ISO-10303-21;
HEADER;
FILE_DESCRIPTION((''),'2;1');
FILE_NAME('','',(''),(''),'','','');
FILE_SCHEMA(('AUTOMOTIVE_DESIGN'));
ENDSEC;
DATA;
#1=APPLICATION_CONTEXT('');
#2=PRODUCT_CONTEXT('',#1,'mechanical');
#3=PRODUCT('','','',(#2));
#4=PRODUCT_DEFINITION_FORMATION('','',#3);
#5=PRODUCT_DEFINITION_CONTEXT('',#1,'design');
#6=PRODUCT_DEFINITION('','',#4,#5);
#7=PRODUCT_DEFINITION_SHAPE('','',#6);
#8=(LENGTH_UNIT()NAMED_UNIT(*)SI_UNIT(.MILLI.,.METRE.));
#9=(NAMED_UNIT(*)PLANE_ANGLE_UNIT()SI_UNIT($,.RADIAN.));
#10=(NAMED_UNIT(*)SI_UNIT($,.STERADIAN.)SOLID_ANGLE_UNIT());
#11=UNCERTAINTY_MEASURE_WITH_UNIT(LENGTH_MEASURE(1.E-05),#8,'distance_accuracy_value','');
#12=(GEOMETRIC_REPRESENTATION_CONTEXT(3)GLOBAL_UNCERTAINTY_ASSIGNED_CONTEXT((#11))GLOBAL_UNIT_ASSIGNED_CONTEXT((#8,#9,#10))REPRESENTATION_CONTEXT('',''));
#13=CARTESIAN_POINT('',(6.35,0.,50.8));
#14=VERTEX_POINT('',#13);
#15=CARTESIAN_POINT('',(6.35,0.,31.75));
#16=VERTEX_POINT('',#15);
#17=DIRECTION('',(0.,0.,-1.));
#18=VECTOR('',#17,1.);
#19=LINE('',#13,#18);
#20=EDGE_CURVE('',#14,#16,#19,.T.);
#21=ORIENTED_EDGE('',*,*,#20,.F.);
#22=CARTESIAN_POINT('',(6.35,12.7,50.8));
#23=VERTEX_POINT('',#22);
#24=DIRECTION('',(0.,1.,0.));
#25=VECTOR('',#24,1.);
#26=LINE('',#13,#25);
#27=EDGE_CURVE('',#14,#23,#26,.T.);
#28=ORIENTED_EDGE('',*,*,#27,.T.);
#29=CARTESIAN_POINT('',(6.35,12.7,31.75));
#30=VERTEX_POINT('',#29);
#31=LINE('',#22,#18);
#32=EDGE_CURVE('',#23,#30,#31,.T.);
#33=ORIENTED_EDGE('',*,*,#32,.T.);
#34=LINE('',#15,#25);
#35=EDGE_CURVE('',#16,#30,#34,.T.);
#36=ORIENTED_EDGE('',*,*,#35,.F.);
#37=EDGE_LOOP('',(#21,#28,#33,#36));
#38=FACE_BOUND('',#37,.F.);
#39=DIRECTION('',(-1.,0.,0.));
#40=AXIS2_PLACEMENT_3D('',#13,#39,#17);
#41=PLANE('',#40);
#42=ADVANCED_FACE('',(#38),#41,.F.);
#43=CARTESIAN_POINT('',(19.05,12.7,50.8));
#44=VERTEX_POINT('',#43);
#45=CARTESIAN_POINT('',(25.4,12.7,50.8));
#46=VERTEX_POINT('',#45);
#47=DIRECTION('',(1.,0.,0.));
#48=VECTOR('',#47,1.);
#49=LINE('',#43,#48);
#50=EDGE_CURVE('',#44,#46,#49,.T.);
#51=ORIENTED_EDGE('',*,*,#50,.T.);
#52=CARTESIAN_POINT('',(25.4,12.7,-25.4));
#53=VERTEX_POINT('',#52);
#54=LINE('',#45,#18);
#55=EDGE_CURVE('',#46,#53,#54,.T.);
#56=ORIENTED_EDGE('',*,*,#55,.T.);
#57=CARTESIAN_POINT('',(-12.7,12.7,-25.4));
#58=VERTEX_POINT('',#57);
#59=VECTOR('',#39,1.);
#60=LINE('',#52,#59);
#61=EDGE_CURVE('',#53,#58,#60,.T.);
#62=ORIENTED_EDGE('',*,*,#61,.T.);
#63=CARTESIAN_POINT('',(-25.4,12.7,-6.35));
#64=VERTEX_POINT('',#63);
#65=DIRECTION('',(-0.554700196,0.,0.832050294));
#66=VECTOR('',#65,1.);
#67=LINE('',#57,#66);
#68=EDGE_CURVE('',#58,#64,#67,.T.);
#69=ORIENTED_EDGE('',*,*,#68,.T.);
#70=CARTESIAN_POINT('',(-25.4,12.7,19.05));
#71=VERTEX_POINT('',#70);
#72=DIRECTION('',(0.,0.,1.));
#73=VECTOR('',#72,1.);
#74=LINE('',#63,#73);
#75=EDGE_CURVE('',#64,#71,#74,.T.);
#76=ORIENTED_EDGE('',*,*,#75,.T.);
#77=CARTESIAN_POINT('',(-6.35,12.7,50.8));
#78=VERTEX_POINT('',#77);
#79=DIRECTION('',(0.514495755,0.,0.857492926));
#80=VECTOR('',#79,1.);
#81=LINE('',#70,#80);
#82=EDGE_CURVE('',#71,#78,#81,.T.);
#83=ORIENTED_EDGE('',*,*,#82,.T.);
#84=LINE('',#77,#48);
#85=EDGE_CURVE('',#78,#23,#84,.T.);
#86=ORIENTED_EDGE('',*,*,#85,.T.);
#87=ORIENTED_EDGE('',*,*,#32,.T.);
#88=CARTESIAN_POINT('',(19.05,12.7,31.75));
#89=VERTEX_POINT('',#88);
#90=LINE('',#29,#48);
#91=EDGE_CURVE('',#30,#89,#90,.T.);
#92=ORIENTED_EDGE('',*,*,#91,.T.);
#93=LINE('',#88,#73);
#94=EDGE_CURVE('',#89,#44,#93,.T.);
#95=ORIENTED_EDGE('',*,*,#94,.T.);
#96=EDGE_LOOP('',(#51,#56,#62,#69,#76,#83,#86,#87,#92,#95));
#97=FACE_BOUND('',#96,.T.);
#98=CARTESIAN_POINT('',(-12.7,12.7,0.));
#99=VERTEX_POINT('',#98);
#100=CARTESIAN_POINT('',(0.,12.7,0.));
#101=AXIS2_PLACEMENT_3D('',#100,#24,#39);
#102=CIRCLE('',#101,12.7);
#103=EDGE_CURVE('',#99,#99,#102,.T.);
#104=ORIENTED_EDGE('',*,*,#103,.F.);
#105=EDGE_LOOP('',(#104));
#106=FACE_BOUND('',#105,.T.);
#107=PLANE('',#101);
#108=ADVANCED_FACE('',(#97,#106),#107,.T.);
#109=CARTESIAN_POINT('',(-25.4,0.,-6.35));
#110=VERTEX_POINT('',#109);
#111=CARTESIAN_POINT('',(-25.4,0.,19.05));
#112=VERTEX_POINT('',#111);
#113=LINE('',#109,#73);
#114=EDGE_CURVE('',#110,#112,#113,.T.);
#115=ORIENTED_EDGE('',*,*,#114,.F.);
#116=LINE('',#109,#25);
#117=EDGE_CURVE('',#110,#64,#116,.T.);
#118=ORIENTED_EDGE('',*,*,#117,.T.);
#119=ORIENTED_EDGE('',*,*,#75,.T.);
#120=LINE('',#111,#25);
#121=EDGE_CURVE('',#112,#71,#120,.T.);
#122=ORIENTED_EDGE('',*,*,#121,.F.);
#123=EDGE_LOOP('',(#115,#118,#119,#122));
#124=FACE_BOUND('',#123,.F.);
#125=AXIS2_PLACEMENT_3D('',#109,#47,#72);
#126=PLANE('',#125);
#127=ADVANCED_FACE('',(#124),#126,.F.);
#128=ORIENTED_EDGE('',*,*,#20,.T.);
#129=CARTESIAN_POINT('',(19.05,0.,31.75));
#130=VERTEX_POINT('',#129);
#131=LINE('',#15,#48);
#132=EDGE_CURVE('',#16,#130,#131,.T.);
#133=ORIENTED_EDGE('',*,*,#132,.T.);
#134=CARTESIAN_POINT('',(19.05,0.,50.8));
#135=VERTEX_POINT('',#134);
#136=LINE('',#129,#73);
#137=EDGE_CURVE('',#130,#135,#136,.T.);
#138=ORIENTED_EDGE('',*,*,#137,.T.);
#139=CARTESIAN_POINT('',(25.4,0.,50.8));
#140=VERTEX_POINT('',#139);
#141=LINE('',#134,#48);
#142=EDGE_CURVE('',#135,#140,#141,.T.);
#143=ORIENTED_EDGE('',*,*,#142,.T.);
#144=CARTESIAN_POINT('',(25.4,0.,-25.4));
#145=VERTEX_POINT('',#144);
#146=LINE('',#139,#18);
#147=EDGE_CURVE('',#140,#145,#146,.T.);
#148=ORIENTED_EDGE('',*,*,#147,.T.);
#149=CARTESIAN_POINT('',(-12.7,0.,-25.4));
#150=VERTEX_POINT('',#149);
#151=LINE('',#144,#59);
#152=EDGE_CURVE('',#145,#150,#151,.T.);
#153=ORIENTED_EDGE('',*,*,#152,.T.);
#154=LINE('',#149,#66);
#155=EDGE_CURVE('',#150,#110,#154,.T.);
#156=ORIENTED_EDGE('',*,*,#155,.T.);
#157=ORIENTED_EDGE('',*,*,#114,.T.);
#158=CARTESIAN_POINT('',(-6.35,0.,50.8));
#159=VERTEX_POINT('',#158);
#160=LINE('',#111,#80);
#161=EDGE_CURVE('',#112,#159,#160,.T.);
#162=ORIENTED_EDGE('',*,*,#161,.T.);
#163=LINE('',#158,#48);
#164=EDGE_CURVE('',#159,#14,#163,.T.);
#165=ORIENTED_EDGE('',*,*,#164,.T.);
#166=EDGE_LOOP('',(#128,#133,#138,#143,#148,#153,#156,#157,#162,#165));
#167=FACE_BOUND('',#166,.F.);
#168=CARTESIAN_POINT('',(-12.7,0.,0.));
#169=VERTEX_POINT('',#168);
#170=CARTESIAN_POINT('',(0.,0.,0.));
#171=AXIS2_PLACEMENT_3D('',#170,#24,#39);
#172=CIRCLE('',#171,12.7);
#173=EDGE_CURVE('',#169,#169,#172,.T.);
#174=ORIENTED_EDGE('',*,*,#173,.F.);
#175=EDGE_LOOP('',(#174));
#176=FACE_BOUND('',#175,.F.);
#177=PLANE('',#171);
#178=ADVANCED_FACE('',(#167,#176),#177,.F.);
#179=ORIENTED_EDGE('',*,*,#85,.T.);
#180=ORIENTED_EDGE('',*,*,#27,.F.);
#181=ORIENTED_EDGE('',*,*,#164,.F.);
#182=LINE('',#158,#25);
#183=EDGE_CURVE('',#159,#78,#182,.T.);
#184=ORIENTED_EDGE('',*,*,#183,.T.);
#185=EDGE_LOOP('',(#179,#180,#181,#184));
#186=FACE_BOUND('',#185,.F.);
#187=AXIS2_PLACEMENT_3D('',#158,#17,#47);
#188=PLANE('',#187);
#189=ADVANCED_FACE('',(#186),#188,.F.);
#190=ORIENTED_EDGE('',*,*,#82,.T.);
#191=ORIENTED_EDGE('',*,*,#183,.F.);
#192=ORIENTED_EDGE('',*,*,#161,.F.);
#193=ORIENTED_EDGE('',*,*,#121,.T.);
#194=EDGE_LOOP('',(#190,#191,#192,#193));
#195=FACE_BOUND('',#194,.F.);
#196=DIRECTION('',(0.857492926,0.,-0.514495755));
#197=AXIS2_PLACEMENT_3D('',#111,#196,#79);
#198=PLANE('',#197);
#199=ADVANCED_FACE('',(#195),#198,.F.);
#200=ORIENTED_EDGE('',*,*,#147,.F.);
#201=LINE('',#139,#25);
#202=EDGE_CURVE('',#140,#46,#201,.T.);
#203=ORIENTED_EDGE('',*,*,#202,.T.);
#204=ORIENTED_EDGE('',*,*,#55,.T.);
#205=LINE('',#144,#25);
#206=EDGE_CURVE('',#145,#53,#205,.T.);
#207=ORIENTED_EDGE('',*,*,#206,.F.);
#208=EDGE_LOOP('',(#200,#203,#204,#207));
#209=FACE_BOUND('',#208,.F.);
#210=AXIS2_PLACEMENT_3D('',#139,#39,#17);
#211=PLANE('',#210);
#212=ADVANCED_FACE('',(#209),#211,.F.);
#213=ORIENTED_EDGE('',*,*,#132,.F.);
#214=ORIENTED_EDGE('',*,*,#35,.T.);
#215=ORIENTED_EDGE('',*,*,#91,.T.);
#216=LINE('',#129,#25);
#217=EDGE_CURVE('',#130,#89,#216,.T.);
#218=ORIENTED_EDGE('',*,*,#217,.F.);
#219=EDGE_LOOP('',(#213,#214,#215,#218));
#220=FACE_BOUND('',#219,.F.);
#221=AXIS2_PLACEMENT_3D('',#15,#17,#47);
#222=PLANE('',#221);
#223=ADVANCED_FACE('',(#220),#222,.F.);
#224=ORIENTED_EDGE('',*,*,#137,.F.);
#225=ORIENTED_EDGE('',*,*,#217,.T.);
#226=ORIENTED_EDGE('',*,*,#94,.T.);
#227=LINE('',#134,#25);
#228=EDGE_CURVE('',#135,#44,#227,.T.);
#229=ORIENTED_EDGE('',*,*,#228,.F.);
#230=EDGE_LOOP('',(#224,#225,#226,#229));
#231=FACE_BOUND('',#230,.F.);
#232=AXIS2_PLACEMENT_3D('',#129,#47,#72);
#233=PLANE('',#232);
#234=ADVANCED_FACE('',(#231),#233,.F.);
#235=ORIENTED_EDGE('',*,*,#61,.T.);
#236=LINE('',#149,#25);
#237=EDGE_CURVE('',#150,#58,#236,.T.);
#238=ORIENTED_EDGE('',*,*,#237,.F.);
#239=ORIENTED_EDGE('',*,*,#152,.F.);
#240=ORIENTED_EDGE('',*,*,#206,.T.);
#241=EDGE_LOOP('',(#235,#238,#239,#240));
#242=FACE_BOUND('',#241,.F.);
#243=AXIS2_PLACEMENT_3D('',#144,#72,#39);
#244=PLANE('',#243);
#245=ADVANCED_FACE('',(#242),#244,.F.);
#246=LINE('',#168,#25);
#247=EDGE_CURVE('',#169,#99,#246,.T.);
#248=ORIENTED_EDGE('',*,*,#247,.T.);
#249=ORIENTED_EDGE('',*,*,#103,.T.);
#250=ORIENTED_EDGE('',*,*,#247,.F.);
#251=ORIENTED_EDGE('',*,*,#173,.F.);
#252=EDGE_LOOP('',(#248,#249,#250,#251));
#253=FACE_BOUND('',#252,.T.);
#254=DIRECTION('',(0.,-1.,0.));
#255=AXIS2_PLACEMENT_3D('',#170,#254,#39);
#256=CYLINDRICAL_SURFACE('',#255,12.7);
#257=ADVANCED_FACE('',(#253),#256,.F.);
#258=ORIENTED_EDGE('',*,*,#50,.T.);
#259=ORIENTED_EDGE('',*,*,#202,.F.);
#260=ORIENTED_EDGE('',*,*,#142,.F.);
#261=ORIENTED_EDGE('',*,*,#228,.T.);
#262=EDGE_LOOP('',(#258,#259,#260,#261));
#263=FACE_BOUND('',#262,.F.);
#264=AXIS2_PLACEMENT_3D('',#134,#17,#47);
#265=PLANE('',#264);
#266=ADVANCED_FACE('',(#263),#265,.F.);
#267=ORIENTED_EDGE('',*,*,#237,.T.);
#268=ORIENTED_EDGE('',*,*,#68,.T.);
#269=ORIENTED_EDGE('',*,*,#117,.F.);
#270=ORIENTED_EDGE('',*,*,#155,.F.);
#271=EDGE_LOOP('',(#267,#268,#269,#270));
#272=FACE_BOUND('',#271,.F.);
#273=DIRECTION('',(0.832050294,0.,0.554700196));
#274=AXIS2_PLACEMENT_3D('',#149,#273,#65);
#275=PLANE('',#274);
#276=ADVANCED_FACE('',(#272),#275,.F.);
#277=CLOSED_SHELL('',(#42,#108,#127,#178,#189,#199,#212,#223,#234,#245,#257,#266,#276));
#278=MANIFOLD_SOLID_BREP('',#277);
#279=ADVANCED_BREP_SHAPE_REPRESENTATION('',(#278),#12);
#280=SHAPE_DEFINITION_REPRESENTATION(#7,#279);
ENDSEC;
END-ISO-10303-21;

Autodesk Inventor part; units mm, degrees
ref_plane "YZ Plane" through (0, 0, 0) normal (1, 0, 0) x (0, 1, 0)
ref_plane "XZ Plane" through (0, 0, 0) normal (0, 1, 0) x (-1, 0, 0)
ref_plane "XY Plane" through (0, 0, 0) normal (0, 0, 1) x (1, 0, 0)
sketch "Sketch1" plane through (0, 0, 0) normal (0, 1, 0) x (-1, 0, 0)
  circle A0 centre (0, 0) radius 12.7
  line L0 (-25.4, -25.4) -> (12.7, -25.4)
  line L1 (12.7, -25.4) -> (25.4, -6.35)
  line L2 (25.4, -6.35) -> (25.4, 19.05)
  line L3 (25.4, 19.05) -> (6.35, 50.8)
  line L4 (6.35, 50.8) -> (-6.35, 50.8)
  line L5 (-6.35, 50.8) -> (-6.35, 31.75)
  line L6 (-6.35, 31.75) -> (-19.05, 31.75)
  line L7 (-19.05, 31.75) -> (-19.05, 50.8)
  line L8 (-19.05, 50.8) -> (-25.4, 50.8)
  line L9 (-25.4, 50.8) -> (-25.4, -25.4)
  dimension "d0" = 25.4
  dimension "d1" = 25.4
  dimension "d2" = 25.4
  dimension "d3" = 19.05
  dimension "d4" = 25.4
  dimension "d5" = 38.1
  dimension "d6" = 50.8
  dimension "d8" = 31.75
  dimension "d9" = 6.35
  dimension "d10" = 19.05
  dimension "d11" = 12.7
  dimension "d12" = 76.2
extrude "Extrusion1" add sketch "Sketch1" along normal blind 12.7
properties part number "InclinedSupport"
